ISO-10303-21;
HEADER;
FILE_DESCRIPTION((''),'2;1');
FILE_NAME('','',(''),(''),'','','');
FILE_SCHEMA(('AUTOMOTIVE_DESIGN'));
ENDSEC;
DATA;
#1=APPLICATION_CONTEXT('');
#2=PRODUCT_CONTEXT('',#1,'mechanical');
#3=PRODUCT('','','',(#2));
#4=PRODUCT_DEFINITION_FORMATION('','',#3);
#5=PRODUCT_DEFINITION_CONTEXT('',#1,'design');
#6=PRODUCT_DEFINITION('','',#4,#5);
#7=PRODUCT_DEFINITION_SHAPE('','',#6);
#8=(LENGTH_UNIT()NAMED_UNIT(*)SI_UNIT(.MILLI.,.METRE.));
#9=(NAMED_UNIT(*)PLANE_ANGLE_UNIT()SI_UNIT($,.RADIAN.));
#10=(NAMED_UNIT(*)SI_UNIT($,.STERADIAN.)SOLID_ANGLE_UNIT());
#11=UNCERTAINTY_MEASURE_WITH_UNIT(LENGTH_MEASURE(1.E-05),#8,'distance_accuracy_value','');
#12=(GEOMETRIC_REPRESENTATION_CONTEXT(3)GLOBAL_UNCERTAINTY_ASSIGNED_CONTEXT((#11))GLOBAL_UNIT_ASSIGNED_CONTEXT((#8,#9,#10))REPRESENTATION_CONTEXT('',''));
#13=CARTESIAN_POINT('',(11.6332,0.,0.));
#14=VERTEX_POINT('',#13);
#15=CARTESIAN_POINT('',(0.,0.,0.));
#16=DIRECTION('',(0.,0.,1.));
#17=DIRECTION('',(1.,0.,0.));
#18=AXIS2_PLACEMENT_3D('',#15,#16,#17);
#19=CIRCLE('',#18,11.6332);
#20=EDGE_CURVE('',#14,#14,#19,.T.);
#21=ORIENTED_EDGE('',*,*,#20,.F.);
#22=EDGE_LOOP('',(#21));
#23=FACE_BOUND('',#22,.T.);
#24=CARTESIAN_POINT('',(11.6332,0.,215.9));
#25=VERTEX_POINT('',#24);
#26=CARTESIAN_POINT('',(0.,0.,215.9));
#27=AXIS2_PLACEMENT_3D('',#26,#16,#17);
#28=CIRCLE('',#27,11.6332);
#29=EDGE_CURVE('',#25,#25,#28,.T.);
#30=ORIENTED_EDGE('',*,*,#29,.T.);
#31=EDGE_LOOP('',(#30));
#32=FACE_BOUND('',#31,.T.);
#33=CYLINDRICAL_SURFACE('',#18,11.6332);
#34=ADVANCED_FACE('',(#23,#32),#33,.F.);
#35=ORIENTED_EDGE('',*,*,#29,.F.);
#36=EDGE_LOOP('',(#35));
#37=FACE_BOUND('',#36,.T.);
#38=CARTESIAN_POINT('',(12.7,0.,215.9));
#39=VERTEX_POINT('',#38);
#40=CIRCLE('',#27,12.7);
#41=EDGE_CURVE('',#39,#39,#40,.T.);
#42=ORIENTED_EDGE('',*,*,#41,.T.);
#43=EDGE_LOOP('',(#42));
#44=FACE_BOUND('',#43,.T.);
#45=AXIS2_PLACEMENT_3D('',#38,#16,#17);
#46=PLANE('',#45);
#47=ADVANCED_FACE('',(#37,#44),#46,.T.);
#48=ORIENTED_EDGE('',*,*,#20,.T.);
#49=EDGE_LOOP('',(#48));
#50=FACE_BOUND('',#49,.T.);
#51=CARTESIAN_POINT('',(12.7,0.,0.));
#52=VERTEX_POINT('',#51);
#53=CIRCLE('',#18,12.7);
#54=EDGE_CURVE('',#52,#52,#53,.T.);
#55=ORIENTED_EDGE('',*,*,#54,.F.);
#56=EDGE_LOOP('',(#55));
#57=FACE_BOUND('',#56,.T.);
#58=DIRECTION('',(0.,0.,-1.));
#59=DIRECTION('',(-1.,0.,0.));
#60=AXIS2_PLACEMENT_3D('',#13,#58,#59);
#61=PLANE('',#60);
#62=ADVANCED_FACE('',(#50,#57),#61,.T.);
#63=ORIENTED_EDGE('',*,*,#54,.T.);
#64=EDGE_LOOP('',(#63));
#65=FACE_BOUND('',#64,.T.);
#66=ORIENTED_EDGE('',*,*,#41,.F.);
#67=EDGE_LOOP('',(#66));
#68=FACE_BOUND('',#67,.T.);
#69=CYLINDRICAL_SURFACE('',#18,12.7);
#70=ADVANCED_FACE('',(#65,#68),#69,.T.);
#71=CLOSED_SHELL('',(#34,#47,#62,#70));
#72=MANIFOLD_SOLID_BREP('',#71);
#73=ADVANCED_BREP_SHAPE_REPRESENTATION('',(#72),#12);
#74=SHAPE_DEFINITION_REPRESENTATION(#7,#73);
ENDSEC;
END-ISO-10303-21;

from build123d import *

# Parameters (mm, degrees)
SKETCH1_W = 1.0668
SKETCH1_H = 215.9


with BuildPart() as part:
    # Sketch1 → Revolve1 (revolve)
    with BuildSketch(Plane(origin=(0, 0, 0), x_dir=(1, 0, 0), z_dir=(0, 1, 0))):
        with Locations((12.1666, -107.95)):
            Rectangle(SKETCH1_W, SKETCH1_H)
    revolve(axis=Axis((0, 0, 0), (0, 0, -1)))


solid = part.part
